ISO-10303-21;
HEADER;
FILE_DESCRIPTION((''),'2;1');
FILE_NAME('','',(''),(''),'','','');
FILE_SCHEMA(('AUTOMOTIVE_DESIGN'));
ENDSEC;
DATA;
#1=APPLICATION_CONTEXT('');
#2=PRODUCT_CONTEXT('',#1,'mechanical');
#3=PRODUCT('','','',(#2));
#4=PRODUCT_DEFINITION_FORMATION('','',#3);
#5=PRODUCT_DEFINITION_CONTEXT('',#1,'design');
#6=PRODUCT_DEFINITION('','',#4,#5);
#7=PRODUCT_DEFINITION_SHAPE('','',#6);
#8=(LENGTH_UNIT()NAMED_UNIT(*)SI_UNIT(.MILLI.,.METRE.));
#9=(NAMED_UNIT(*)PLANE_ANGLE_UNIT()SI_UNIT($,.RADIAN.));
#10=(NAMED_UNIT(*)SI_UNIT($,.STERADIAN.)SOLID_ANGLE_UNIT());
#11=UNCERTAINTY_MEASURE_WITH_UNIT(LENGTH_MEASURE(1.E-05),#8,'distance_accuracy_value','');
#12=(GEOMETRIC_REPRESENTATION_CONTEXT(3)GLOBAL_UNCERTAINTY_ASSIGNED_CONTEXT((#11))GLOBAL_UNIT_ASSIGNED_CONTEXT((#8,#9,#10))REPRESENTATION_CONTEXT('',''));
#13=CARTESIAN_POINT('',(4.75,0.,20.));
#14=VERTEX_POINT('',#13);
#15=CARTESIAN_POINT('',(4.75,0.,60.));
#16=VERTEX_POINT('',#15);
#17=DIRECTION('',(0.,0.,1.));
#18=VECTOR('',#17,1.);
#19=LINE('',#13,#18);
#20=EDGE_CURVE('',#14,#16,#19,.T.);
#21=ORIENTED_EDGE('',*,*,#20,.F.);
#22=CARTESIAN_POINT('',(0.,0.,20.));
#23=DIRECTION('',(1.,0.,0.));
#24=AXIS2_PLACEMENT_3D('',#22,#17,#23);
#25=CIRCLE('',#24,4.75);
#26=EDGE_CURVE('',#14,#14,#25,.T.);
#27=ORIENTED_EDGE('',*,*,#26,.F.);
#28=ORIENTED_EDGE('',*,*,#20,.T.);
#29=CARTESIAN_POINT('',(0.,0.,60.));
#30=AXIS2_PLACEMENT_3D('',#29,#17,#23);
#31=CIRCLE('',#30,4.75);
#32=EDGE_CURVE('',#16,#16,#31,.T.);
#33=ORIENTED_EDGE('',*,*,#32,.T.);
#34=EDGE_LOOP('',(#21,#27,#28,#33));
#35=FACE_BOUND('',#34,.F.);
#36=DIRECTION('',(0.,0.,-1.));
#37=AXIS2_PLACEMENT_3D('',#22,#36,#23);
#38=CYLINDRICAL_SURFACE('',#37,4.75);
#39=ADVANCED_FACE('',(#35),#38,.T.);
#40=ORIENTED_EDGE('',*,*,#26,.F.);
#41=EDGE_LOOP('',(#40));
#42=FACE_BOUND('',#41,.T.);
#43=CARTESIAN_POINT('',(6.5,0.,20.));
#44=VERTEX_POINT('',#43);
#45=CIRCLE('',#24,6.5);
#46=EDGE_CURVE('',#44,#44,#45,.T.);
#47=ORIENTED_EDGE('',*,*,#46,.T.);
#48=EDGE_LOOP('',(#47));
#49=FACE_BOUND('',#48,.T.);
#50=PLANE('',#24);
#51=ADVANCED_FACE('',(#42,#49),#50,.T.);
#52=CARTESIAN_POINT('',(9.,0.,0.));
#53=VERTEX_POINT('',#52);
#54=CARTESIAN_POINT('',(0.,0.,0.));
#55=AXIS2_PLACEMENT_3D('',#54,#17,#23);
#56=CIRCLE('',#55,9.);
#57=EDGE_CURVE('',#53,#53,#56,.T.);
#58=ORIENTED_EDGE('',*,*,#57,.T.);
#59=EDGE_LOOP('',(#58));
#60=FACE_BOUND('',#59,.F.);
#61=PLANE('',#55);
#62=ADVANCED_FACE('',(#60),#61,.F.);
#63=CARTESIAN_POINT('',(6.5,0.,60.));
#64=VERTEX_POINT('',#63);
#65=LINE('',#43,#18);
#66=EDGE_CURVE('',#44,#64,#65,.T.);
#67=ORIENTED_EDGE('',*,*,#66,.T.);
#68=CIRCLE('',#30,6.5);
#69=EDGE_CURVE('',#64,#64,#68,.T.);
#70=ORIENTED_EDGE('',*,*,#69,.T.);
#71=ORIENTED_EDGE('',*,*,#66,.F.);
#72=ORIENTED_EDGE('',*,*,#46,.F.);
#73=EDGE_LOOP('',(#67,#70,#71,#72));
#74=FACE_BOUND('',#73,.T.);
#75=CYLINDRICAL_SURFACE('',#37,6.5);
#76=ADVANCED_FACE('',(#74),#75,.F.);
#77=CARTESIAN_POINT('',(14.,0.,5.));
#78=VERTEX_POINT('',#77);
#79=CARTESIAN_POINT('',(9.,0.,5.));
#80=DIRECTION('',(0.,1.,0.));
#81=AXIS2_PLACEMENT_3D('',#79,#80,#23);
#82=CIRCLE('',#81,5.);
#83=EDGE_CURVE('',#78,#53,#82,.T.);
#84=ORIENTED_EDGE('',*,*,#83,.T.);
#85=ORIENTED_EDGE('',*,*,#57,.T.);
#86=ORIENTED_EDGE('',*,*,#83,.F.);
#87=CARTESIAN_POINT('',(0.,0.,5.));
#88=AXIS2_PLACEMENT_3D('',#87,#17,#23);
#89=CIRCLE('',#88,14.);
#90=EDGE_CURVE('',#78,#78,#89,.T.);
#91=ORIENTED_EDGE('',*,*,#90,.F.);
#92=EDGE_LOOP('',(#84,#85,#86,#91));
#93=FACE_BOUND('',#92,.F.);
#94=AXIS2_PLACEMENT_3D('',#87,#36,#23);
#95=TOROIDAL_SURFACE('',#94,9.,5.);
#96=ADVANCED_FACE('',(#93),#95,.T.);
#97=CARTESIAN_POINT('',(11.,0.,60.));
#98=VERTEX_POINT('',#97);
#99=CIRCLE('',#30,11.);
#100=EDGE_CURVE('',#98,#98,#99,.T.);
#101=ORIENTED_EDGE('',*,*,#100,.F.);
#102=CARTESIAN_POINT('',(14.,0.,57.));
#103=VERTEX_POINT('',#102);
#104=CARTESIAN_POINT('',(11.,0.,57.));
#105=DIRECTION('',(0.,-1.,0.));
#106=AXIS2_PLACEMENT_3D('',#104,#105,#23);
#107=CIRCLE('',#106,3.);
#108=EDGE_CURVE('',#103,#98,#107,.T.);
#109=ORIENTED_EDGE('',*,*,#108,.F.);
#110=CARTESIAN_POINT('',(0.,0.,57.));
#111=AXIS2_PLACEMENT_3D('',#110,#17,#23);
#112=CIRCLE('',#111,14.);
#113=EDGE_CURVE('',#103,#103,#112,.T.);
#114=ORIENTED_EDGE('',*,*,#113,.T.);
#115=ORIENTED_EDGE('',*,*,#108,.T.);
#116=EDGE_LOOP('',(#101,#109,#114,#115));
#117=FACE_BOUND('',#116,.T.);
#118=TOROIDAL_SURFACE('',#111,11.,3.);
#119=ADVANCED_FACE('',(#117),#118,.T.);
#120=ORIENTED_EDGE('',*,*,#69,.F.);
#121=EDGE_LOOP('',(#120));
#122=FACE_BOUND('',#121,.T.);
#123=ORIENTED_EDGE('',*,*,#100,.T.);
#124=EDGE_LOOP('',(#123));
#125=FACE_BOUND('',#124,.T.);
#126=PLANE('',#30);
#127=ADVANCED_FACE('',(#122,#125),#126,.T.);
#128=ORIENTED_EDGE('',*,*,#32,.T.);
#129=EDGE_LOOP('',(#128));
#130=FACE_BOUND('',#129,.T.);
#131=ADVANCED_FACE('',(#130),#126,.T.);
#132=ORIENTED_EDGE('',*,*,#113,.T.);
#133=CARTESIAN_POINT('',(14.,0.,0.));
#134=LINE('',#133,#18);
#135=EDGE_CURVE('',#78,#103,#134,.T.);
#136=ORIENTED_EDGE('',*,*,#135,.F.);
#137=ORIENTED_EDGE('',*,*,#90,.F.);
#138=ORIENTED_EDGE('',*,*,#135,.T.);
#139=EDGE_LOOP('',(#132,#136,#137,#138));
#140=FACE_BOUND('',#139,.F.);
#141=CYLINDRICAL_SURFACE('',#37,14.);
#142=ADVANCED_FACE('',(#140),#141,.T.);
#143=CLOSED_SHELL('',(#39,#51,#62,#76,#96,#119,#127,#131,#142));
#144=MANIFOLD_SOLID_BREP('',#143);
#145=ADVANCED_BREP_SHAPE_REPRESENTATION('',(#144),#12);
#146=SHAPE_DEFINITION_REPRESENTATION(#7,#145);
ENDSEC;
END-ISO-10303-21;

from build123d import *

# Parameters (mm, degrees)
F0_R     = 14
F0_R_2   = 9
F0_R_3   = 7.5
F1_DEPTH = 20
F2_R     = 14
F2_R_2   = 6.5
F2_R_3   = 4.75
F3_DEPTH = 40
F4_R     = 5
F5_R     = 3


with BuildPart() as f1:
    # F0 (on Top) → F1 (new body)
    with BuildSketch(Plane.XY):
        Circle(F0_R)
        Circle(F0_R_2, mode=Mode.SUBTRACT)
        Circle(F0_R_2)
        Circle(F0_R_3, mode=Mode.SUBTRACT)
        Circle(F0_R_3)
    extrude(amount=F1_DEPTH)

    # F2 (on face) → F3 (join)
    with BuildSketch(Plane.XY.offset(20)):
        Circle(F2_R)
        Circle(F2_R_2, mode=Mode.SUBTRACT)
        Circle(F2_R_3)
    extrude(amount=F3_DEPTH)

    # F4
    f4_edges = [f1.edges().sort_by_distance(p)[0] for p in [
        (-14, 0, 0),
    ]]
    fillet(f4_edges, radius=F4_R)

    # F5
    f5_edges = [f1.edges().sort_by_distance(p)[0] for p in [
        (-14, 0, 60),
    ]]
    fillet(f5_edges, radius=F5_R)


solid = f1.part
